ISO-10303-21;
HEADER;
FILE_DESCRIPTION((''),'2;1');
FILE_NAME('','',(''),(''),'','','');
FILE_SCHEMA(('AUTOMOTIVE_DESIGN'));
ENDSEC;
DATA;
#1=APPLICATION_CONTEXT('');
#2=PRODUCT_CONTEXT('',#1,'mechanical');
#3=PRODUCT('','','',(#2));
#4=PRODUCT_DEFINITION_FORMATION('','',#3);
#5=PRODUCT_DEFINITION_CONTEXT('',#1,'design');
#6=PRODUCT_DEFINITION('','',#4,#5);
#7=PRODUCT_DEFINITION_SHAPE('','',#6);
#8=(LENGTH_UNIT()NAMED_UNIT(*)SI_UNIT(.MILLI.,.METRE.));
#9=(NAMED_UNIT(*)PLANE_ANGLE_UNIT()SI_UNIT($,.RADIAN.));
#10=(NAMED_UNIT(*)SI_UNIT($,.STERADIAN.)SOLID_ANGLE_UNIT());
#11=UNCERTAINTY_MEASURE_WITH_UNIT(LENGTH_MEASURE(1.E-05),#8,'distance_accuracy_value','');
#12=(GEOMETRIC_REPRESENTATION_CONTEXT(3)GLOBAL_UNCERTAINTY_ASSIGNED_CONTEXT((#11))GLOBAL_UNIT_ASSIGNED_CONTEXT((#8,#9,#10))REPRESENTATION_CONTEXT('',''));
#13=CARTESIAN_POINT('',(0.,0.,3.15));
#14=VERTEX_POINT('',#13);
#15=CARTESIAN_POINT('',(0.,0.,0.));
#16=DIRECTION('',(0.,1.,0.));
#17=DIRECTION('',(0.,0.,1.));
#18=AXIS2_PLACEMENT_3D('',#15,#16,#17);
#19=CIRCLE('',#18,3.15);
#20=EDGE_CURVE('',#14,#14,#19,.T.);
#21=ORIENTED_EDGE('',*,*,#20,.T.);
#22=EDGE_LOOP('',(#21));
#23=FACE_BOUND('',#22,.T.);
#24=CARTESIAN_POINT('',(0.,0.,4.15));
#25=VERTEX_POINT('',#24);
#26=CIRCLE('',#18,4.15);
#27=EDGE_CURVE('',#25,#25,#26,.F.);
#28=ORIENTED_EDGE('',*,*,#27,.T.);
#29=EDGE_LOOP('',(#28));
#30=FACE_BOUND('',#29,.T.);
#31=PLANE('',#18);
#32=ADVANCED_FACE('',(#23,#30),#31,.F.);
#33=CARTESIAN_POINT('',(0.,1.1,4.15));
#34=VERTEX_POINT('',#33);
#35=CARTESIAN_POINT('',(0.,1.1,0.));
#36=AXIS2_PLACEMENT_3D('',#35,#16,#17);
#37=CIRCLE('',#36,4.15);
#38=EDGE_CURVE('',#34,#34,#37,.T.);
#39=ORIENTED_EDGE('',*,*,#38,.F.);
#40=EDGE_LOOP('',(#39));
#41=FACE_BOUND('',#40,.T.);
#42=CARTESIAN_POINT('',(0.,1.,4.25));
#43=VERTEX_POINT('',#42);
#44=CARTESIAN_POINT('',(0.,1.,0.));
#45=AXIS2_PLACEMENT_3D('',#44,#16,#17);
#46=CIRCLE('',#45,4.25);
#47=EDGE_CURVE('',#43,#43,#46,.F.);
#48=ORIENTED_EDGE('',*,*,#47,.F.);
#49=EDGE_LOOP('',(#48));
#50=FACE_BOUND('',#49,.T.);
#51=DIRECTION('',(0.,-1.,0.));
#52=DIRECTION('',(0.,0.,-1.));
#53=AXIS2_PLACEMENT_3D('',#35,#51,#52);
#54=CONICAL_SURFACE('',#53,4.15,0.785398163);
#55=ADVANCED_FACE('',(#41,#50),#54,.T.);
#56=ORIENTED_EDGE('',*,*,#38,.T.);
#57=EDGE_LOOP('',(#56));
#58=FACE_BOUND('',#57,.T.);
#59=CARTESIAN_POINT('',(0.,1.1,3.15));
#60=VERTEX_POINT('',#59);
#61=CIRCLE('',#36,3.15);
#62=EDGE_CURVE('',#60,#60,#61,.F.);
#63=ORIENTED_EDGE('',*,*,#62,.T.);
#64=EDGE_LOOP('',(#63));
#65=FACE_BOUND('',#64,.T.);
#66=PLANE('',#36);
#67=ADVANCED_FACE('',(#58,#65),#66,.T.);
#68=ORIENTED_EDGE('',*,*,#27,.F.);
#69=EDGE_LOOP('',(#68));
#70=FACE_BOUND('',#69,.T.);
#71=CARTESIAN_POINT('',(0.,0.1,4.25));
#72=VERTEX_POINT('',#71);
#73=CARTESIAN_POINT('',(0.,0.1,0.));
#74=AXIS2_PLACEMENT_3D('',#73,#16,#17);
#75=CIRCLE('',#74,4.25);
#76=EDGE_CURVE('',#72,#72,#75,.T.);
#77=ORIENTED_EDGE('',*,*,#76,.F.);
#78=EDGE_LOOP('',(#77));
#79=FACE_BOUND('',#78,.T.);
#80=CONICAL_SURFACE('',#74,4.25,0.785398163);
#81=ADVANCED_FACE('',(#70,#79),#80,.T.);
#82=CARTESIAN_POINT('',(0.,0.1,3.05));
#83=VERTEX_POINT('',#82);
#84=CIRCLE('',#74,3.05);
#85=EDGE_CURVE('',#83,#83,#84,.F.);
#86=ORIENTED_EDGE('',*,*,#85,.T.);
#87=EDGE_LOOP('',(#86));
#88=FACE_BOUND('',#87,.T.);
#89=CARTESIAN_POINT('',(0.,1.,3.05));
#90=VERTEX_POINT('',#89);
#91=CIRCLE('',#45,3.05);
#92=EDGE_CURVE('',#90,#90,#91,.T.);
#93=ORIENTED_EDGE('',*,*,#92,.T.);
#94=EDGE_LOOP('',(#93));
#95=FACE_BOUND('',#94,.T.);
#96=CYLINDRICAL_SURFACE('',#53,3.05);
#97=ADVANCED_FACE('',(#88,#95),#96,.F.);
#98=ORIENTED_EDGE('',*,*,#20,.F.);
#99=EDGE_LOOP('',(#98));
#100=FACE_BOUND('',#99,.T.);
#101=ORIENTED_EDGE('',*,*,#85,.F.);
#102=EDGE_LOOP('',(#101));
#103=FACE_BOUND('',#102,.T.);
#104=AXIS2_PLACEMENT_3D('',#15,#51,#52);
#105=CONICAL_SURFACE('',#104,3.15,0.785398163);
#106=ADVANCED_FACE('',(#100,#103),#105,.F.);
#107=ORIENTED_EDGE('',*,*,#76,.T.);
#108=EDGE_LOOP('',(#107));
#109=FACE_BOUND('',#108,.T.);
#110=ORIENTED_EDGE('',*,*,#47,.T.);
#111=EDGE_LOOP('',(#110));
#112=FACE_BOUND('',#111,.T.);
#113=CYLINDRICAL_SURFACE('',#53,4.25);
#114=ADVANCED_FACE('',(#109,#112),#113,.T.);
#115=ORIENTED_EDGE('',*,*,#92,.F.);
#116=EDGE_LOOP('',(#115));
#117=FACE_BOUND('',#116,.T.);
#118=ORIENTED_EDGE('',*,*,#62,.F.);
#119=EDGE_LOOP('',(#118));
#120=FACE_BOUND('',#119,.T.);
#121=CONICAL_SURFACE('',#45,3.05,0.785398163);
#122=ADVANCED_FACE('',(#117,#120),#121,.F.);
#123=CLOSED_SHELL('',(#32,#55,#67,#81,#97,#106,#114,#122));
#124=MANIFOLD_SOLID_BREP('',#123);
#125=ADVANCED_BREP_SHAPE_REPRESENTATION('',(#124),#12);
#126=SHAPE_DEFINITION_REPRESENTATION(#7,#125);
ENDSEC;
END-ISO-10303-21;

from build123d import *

# Parameters (mm, degrees)
SKETCH1_R           = 4.25
SKETCH1_R_2         = 3.05
BOSS_EXTRUDE1_DEPTH = 1.1
CHAMFER1_SIZE       = 0.1


with BuildPart() as part:
    # Sketch1 → Boss-Extrude1 (new body)
    with BuildSketch(Plane(origin=(0, 0, 0), x_dir=(1, 0, 0), z_dir=(0, 1, 0))):
        with Locations(Location((0, 0, 0), (0, 0, 270))):
            Circle(SKETCH1_R)
        with Locations(Location((0, 0, 0), (0, 0, 270))):
            Circle(SKETCH1_R_2, mode=Mode.SUBTRACT)
    extrude(amount=BOSS_EXTRUDE1_DEPTH)

    # Chamfer1
    chamfer1_edges = [part.edges().sort_by_distance(p)[0] for p in [
        (0, 0, -4.25),
        (0, 1.1, -4.25),
        (0, 0, -3.05),
        (0, 1.1, -3.05),
    ]]
    chamfer(chamfer1_edges, length=CHAMFER1_SIZE)


solid = part.part
